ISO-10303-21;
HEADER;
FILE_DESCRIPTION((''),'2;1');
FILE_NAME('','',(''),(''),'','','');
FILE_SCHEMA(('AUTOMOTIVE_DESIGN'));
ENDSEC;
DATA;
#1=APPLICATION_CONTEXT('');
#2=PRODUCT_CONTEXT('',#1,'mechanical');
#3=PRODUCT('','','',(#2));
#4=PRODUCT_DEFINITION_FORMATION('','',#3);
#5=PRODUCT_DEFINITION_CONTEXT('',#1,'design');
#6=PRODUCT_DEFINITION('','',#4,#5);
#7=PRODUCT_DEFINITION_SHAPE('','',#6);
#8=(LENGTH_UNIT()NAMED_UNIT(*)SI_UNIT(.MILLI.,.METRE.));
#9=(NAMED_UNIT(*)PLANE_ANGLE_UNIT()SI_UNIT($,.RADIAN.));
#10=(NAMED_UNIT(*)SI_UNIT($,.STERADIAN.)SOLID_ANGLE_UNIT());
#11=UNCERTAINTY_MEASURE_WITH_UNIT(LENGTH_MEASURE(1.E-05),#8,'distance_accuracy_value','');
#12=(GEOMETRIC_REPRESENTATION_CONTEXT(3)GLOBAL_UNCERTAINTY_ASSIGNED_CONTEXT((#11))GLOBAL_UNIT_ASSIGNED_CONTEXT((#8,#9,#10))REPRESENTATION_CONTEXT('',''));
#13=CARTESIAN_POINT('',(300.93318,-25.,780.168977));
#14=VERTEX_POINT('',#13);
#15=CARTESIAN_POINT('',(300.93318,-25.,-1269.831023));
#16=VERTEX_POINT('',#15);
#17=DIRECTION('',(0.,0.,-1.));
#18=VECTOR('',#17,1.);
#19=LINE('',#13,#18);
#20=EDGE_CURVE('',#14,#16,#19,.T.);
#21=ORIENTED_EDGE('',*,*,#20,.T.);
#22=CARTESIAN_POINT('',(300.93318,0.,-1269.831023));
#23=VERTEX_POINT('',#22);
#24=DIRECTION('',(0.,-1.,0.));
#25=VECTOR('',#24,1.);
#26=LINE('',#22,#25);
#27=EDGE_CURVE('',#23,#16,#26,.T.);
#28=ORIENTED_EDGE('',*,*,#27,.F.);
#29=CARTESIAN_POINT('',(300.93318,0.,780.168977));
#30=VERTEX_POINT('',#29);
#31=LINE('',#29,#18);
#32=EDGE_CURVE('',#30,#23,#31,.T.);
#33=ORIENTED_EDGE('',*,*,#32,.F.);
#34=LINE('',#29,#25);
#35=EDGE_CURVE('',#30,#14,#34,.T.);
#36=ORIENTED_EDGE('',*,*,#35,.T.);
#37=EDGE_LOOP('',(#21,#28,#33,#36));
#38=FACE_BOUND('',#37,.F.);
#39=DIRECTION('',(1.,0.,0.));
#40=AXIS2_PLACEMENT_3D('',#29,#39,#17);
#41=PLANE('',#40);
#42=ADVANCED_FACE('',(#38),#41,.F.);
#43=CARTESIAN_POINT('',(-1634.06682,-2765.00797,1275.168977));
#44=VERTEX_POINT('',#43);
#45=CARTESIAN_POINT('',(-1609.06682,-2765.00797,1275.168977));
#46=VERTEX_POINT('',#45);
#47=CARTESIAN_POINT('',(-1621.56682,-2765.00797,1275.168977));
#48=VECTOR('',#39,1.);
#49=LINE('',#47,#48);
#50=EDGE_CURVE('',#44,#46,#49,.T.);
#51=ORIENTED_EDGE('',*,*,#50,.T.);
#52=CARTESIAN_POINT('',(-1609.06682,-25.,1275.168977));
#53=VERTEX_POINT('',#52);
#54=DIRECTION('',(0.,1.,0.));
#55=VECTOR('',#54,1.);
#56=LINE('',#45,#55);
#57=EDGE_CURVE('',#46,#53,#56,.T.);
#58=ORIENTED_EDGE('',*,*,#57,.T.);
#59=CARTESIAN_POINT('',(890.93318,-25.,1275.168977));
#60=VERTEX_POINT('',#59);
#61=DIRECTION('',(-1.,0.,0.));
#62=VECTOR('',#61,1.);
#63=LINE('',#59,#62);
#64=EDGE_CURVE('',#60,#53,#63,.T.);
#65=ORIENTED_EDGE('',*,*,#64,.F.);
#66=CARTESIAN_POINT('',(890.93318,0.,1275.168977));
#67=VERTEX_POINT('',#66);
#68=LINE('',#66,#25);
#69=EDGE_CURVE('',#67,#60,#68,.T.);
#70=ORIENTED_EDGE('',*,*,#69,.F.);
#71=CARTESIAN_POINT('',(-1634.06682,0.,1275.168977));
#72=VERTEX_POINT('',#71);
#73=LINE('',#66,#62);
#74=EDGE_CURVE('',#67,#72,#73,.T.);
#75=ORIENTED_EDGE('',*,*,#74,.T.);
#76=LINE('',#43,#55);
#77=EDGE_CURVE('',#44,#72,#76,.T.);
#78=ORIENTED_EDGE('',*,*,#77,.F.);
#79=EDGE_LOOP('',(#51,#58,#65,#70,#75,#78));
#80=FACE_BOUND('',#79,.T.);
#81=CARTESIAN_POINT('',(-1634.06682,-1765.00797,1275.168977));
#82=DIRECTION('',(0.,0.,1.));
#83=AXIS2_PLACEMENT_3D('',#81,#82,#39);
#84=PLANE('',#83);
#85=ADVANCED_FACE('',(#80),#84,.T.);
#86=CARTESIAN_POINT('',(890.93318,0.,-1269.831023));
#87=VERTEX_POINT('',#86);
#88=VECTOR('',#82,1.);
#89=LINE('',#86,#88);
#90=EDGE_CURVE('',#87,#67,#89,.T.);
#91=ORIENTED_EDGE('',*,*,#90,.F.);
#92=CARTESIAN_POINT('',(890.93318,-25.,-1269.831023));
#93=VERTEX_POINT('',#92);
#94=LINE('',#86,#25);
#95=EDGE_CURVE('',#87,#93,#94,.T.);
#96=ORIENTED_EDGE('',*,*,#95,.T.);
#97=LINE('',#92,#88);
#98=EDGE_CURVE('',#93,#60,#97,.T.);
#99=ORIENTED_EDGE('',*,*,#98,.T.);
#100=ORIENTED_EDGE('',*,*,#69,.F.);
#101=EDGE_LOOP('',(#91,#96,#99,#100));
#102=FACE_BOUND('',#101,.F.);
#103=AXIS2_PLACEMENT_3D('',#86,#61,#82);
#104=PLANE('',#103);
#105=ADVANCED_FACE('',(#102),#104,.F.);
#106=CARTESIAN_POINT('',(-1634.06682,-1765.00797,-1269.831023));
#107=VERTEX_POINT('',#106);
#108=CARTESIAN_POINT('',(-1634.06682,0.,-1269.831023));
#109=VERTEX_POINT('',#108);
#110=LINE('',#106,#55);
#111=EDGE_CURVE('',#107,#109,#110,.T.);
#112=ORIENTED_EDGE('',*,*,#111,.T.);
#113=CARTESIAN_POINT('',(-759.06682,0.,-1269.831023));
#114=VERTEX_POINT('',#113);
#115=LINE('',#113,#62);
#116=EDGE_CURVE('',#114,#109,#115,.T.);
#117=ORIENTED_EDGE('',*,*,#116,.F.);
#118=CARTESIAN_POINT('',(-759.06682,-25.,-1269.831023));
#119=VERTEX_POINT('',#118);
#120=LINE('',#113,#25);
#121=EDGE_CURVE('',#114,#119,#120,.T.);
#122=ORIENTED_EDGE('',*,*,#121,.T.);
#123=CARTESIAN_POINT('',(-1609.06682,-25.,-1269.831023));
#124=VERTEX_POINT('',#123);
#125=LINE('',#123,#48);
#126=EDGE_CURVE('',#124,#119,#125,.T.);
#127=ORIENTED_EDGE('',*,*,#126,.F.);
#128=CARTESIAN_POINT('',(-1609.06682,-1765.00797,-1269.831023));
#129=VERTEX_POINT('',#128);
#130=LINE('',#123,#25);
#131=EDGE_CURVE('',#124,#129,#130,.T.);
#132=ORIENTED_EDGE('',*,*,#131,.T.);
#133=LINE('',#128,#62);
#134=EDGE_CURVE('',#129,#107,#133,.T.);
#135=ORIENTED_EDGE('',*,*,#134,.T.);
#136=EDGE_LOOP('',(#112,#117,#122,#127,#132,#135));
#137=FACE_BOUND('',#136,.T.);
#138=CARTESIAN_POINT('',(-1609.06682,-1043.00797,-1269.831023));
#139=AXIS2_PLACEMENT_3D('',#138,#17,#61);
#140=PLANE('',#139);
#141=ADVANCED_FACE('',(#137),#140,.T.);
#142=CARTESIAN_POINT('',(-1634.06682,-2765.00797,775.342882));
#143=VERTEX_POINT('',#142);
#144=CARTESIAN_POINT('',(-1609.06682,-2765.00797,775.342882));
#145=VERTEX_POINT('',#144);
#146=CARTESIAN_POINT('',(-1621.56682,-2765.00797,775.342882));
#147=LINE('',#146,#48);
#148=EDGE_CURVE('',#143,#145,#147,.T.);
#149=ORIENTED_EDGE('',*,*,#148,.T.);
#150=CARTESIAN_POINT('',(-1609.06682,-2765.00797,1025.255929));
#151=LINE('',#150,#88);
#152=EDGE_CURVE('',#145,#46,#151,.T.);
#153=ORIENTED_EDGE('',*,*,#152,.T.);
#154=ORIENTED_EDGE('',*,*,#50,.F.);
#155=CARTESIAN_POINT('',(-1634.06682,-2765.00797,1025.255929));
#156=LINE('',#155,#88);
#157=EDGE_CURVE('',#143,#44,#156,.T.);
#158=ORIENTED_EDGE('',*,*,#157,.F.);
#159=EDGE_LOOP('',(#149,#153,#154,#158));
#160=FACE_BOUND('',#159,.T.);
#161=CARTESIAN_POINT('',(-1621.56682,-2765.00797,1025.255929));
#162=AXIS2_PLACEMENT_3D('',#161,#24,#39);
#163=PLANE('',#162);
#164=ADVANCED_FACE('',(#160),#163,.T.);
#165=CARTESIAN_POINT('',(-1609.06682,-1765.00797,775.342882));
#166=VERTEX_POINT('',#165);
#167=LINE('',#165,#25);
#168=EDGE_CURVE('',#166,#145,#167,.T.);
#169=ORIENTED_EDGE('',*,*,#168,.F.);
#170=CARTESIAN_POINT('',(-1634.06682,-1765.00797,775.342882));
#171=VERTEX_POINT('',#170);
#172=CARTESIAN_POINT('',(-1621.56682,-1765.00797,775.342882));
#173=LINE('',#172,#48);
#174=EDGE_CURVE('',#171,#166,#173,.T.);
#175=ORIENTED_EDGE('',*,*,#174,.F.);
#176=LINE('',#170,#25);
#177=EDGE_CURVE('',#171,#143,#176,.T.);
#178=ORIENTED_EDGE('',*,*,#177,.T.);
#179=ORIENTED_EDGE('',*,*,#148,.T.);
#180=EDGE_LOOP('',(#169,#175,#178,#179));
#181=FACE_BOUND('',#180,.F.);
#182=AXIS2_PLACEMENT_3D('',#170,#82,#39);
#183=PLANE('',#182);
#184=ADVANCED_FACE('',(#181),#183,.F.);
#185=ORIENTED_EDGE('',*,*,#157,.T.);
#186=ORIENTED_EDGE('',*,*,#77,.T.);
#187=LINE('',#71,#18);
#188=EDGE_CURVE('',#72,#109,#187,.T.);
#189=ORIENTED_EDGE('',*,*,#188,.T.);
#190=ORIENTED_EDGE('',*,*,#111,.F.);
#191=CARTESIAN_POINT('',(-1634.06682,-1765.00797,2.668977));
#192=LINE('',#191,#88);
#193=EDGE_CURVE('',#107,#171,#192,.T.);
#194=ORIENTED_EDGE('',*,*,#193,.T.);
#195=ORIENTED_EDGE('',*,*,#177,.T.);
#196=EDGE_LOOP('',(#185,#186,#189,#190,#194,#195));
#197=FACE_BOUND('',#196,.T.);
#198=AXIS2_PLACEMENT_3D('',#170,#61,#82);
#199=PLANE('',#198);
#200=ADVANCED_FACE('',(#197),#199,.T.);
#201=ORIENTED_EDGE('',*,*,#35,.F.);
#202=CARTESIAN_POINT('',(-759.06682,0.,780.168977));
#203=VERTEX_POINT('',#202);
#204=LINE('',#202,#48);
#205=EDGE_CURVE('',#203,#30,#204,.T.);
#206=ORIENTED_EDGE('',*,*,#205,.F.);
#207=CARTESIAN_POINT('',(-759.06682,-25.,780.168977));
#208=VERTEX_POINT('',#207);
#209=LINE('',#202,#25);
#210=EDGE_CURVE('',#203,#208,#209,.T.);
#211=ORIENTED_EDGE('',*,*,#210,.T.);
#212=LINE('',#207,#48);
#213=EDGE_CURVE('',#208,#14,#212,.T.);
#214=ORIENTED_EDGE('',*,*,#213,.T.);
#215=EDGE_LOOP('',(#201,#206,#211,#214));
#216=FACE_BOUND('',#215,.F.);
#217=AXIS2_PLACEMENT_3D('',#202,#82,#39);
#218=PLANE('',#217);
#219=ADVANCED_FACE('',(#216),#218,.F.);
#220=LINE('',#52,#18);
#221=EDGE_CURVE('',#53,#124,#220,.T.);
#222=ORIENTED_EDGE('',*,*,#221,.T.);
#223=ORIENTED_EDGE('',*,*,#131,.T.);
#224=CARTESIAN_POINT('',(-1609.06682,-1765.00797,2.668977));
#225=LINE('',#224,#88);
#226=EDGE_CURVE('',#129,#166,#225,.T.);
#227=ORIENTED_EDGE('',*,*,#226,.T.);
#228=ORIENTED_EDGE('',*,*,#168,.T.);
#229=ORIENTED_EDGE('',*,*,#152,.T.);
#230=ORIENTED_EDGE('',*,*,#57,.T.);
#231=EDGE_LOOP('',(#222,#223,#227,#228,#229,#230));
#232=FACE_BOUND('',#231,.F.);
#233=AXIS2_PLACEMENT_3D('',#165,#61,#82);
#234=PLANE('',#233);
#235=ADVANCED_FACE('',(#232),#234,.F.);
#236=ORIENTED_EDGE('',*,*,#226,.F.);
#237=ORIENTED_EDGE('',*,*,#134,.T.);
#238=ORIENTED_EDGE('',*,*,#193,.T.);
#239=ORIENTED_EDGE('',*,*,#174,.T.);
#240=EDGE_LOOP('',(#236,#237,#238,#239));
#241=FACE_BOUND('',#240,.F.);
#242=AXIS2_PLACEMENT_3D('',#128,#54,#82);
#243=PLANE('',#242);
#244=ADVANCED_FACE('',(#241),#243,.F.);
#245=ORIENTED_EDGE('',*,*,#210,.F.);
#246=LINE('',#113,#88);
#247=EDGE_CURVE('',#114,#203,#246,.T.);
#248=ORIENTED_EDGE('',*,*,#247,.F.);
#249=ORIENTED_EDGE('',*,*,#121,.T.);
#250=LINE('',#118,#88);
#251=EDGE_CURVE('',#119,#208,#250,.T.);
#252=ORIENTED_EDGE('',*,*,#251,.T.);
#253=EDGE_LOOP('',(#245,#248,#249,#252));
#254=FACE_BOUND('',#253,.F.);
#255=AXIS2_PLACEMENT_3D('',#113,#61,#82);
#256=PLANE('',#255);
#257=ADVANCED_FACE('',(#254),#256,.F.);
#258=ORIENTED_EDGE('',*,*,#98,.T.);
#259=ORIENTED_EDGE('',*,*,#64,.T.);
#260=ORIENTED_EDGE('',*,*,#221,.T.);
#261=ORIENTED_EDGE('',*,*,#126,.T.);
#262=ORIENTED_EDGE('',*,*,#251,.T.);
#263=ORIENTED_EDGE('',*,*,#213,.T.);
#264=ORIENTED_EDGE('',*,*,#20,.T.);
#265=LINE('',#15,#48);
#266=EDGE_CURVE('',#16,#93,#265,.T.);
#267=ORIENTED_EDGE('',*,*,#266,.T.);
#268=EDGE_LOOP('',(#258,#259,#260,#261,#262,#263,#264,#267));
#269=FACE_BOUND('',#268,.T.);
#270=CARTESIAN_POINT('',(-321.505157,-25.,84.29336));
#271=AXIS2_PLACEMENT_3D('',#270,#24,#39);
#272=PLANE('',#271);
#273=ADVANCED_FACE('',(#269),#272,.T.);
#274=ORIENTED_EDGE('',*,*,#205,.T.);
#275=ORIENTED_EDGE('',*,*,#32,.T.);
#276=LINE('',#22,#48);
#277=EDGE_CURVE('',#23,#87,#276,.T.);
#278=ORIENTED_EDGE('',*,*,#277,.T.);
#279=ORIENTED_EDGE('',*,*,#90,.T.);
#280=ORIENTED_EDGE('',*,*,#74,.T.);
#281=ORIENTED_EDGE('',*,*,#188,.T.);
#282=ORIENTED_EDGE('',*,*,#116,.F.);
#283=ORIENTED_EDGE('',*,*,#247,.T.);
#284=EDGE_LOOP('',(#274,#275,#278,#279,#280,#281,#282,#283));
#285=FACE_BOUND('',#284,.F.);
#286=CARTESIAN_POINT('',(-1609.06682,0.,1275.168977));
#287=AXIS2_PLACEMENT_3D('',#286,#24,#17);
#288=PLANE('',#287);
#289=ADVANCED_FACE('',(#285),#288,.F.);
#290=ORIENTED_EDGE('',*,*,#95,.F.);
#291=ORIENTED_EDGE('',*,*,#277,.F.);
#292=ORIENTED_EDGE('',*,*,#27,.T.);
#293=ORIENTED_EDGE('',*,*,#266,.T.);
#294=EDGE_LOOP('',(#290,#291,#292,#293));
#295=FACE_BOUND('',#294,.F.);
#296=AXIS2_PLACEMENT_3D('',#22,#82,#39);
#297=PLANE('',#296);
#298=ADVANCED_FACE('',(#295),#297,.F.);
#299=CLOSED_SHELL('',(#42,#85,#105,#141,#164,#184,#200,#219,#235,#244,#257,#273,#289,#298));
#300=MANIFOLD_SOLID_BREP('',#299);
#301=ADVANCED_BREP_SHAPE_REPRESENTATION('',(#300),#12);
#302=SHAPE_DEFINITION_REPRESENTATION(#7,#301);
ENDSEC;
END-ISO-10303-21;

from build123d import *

# Parameters (mm, degrees)
F1_DEPTH = 25
F2_W     = 1018.0079698563
F2_H     = 2545
F3_DEPTH = 25
F4_DEPTH = 25
F5_DEPTH = 722
F6_W     = 25
F6_H     = 499.8260952983
F7_DEPTH = 1000


with BuildPart() as f1:
    # F0 (on Front) → F1 (new body)
    with BuildSketch(Plane.XZ):
        Polygon((890.9331802642, 1275.1689769779), (-1609.0668197358, 1275.1689769779), (-1609.0668197358, -1269.8310230221), (-759.0668197358, -1269.8310230221), (-759.0668197358, 780.1689769779), (300.9331802642, 780.1689769779), (300.9331802642, -1269.8310230221), (890.9331802642, -1269.8310230221), align=None)
    extrude(amount=F1_DEPTH)

    # F2 (on face) → F3 (join)
    with BuildSketch(Plane(origin=(-1609.0668197358, 0, 0), x_dir=(0, -1, 0), z_dir=(-1, 0, 0))):
        with Locations((534.0039849281, 2.6689769779)):
            Rectangle(F2_W, F2_H)
    extrude(amount=F3_DEPTH)

    # F4 (add): a face of the model
    f4_faces = [f1.faces().sort_by_distance(p)[0] for p in [
        (-1609.0668197358, -12.5, 2.6689769779),
    ]]
    extrude(f4_faces, amount=F4_DEPTH)

    # F5 (add): a face of the model
    f5_faces = [f1.faces().sort_by_distance(p)[0] for p in [
        (-1621.5668197358, -1043.0079698563, 2.6689769779),
    ]]
    extrude(f5_faces, amount=F5_DEPTH)

    # F6 (on face) → F7 (join)
    with BuildSketch(Plane.XZ.offset(1765.0079698563)):
        with Locations((-1621.5668197358, 1025.2559293287)):
            Rectangle(F6_W, F6_H)
    extrude(amount=F7_DEPTH)


solid = f1.part
